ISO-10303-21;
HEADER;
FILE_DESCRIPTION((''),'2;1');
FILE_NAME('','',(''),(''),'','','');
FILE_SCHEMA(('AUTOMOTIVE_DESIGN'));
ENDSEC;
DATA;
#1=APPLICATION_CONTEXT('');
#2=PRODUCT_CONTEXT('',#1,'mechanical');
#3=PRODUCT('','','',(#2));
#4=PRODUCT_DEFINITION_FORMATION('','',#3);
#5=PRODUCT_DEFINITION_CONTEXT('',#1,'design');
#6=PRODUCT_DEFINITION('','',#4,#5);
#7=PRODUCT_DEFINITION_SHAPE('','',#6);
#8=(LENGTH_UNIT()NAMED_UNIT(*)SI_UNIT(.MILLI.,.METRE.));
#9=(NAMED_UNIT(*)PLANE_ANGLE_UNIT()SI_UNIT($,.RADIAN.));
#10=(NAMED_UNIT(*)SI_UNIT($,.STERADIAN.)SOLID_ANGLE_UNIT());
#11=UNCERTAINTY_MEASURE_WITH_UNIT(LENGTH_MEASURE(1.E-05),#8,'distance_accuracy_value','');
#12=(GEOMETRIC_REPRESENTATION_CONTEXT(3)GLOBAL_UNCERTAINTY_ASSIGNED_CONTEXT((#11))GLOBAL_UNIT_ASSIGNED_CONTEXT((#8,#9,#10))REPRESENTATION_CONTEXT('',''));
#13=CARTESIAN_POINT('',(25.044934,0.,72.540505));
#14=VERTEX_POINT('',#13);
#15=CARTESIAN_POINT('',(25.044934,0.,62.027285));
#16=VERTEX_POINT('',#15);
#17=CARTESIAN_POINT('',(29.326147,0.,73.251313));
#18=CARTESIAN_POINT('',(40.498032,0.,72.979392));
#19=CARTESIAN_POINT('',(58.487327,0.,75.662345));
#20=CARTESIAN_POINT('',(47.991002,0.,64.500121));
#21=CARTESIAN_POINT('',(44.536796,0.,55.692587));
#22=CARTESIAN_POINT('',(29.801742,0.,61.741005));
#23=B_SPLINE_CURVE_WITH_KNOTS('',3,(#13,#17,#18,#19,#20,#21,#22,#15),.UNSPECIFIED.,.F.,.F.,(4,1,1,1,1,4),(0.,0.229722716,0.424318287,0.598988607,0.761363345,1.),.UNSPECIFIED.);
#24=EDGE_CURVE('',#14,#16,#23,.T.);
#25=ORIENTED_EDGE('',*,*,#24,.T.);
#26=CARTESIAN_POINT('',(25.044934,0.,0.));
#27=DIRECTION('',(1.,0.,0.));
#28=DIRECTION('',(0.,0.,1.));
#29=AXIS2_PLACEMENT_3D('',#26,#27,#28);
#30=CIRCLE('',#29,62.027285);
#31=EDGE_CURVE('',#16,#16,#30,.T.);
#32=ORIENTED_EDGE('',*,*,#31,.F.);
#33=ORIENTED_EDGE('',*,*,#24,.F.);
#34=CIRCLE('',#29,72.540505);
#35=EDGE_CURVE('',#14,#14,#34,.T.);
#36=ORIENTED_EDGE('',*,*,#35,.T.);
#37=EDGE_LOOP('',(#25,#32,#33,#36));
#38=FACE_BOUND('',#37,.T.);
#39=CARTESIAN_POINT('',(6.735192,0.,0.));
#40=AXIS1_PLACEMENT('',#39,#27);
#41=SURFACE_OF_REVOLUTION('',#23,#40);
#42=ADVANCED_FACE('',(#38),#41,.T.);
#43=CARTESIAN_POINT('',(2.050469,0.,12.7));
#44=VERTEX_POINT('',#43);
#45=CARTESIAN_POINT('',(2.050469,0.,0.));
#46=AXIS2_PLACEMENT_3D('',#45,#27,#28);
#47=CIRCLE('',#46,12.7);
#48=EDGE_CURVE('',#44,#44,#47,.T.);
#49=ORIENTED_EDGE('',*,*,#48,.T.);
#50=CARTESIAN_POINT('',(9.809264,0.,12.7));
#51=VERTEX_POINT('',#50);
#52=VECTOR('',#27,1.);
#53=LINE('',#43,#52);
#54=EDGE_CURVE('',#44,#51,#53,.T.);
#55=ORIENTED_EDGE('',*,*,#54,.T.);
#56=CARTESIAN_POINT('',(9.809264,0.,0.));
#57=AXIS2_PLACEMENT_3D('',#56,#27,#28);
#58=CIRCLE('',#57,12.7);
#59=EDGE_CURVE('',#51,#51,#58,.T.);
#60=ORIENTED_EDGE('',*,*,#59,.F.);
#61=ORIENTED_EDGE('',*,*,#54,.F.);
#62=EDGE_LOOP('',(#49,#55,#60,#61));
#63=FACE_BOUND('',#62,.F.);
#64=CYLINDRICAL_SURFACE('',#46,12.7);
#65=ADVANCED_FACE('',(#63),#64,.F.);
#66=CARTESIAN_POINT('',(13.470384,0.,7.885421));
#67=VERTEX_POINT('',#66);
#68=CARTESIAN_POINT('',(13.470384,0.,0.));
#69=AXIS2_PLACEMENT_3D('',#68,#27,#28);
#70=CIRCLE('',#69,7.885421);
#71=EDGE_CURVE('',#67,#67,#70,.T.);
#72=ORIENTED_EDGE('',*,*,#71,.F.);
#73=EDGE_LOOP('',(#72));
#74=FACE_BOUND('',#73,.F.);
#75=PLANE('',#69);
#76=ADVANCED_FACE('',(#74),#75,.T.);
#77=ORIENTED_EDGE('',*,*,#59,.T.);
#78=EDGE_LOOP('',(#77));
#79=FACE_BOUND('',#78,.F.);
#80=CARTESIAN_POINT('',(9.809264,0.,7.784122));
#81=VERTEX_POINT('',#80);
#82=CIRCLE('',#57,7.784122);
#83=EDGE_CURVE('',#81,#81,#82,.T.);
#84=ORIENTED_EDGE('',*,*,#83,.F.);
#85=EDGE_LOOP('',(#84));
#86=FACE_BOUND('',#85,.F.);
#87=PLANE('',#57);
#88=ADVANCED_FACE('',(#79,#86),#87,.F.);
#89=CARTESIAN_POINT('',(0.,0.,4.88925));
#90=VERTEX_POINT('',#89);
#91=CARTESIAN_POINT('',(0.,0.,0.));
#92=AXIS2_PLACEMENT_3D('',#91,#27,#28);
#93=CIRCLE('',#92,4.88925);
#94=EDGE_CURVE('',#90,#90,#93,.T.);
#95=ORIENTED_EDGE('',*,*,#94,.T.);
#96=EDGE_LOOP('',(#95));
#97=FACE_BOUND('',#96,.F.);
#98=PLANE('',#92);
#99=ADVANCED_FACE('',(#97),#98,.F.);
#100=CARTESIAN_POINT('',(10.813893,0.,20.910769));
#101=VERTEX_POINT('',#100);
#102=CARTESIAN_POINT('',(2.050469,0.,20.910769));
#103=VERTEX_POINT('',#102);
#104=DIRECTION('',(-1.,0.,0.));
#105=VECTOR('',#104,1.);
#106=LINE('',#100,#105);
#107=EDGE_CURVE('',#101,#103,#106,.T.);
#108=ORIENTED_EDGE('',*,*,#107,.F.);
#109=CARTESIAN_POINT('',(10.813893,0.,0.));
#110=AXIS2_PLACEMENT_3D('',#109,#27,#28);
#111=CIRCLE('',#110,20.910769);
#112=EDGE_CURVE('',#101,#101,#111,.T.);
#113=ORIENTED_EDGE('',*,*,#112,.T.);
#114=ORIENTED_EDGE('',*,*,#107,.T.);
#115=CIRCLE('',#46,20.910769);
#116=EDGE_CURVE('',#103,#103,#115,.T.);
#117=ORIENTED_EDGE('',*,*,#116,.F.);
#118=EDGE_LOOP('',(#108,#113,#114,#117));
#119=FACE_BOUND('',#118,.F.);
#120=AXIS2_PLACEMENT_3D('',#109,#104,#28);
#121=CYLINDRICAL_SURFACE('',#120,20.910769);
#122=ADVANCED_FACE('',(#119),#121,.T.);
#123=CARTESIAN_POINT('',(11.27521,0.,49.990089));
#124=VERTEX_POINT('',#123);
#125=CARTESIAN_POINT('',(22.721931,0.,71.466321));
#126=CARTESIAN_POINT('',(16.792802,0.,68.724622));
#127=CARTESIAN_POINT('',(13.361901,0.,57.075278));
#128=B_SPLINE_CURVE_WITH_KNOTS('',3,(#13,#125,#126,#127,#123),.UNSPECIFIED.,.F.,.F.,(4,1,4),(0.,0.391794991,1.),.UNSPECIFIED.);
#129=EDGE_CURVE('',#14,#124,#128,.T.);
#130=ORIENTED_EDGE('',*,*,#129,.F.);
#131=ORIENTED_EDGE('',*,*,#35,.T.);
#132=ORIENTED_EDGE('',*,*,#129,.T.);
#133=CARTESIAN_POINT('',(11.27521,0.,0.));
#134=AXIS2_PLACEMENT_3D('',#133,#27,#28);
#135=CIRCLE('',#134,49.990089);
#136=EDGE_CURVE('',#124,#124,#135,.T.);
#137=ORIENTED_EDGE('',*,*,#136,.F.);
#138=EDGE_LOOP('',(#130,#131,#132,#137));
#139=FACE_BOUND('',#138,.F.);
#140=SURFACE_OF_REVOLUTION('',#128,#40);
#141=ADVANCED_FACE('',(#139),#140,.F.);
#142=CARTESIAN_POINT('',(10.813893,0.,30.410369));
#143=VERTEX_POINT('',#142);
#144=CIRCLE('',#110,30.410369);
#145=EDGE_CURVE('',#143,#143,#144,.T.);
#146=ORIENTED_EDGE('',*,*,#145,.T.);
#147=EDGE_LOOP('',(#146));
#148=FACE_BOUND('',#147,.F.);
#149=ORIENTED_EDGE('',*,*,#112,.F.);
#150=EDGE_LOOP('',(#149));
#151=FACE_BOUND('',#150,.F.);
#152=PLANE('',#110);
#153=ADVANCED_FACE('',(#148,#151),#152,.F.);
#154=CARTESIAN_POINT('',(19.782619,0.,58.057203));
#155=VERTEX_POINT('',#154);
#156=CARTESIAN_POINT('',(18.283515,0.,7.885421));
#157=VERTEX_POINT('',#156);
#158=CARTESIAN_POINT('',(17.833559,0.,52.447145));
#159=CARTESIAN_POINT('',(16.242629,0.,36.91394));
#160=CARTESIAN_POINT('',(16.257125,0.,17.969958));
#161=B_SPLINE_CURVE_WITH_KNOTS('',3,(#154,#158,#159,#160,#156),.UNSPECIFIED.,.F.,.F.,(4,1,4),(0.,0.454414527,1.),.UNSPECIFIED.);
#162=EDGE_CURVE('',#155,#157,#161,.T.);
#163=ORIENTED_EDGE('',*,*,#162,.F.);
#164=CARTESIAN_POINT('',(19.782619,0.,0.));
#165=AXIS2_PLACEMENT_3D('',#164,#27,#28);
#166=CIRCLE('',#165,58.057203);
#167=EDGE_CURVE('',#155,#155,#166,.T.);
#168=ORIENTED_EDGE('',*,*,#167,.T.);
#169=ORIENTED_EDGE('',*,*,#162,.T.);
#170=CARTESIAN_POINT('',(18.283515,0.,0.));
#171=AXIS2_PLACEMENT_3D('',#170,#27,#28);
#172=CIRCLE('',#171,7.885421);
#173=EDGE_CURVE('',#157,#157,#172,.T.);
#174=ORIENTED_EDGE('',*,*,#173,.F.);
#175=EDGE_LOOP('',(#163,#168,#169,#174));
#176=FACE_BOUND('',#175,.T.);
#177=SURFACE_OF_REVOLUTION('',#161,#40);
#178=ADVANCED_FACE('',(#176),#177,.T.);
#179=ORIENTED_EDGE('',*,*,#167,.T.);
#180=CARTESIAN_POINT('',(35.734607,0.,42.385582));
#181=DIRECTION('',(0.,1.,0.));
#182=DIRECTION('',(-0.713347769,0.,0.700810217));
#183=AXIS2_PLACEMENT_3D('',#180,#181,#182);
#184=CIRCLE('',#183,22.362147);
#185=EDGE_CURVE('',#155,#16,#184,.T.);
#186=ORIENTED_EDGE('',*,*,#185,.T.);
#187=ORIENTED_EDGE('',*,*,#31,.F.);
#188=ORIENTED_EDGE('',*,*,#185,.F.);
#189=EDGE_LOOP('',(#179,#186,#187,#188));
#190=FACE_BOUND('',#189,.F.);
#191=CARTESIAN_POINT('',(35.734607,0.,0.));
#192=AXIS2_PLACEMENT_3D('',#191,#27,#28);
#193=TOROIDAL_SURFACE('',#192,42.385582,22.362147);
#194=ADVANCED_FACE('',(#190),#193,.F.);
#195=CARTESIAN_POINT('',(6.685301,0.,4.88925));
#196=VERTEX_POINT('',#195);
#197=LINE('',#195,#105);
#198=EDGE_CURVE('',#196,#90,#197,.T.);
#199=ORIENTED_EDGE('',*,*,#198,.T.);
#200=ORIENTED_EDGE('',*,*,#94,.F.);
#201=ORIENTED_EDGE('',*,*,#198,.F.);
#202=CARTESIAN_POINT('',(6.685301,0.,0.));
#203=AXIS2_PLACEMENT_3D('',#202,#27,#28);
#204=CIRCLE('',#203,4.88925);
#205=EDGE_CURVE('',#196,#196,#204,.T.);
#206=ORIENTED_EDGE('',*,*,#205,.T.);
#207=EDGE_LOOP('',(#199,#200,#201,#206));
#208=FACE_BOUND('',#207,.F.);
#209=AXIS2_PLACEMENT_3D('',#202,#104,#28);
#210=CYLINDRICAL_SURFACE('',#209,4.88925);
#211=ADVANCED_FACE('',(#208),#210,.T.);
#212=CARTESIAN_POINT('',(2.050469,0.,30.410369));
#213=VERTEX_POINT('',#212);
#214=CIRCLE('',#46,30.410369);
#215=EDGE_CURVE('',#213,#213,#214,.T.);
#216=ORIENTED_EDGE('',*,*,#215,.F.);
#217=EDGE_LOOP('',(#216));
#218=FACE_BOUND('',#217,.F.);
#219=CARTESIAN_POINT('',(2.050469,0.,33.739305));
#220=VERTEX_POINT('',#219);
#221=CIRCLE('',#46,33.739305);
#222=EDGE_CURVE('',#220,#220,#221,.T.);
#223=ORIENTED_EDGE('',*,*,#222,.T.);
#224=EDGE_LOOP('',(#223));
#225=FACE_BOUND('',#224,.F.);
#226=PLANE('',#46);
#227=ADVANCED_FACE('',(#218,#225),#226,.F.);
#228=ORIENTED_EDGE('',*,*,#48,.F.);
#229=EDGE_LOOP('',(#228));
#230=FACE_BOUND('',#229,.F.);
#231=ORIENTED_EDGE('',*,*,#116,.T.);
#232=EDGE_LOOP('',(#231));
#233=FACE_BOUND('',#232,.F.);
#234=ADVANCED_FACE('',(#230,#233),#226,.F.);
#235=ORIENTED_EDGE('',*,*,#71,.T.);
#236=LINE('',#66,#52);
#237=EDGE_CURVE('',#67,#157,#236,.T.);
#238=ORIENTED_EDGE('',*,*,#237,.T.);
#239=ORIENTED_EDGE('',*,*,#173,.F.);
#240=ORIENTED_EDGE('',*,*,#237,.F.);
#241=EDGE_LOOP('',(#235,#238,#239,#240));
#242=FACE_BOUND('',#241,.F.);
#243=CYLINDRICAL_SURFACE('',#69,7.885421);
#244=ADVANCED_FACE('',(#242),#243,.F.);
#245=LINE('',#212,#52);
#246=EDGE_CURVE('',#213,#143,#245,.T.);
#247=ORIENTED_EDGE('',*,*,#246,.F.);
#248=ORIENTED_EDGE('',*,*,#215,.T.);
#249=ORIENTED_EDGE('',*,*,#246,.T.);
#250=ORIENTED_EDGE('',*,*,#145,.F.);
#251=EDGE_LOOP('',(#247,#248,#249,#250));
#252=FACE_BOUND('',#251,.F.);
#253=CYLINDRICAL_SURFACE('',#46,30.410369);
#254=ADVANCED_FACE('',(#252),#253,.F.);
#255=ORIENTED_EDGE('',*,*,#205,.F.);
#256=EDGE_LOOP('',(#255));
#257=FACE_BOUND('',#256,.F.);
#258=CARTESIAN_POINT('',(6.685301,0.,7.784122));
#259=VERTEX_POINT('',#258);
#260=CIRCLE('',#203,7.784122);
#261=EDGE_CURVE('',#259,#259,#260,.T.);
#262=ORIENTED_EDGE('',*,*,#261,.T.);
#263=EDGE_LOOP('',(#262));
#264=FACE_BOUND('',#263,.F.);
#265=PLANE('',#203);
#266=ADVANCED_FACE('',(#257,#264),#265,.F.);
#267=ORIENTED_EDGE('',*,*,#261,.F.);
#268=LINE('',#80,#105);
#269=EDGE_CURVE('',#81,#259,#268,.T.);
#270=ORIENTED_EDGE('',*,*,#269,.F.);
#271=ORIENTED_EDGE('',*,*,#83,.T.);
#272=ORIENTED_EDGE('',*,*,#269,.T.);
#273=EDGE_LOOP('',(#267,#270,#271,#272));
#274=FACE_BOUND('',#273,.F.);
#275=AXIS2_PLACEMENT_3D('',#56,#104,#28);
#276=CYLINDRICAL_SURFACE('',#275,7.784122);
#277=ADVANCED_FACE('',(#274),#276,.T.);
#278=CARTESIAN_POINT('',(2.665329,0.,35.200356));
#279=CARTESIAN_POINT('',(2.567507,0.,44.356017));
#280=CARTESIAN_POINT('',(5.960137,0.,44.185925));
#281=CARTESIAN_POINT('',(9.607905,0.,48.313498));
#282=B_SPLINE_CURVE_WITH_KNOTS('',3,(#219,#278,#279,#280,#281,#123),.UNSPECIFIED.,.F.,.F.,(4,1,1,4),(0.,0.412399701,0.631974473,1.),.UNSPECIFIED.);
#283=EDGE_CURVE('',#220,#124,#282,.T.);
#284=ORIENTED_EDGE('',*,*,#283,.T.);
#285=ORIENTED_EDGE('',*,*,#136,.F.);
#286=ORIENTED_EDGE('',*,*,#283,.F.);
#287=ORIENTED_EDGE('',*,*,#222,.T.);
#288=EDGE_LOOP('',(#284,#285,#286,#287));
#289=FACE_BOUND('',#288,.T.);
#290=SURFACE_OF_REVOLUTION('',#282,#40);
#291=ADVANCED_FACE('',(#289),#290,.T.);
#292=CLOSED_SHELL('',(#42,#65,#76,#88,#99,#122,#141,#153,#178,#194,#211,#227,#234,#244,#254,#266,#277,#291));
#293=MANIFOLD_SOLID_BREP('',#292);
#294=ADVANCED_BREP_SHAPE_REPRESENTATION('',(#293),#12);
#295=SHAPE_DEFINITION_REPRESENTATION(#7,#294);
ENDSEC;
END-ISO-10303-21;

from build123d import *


with BuildPart() as f1:
    # F0 (on Front) → F1 (revolve)
    with BuildSketch(Plane.XZ):
        with BuildLine():
            Line((0, 4.8892499771), (0, 0))
            Line((0, 0), (13.4703844504, 0))
            Line((13.4703844504, 0), (13.4703844504, 7.8854212034))
            Line((13.4703844504, 7.8854212034), (18.2835152883, 7.8854212034))
            add(Edge.make_bspline(
                [(19.7826191295, 58.0572025918), (17.8335590226, 52.4471451864), (16.2426285763, 36.9139396244), (16.2571254085, 17.9699584316), (18.2835152883, 7.8854212034)],
                knots=[0, 0, 0, 0, 0.4544145268, 1, 1, 1, 1], degree=3))
            ThreePointArc((19.7826191295, 58.0572025918), (22.2666852239, 60.2372118596), (25.0449335956, 62.0272846946))
            add(Edge.make_bspline(
                [(25.0449335956, 72.5405053556), (29.3261469951, 73.2513126197), (40.4980322866, 72.9793920522), (58.4873266538, 75.6623446598), (47.9910017048, 64.5001212795), (44.5367963089, 55.692587177), (29.8017418989, 61.7410048111), (25.0449335956, 62.0272846946)],
                knots=[0, 0, 0, 0, 0.229722716, 0.4243182867, 0.5989886066, 0.7613633455, 1, 1, 1, 1], degree=3))
            add(Edge.make_bspline(
                [(25.0449335956, 72.5405053556), (22.7219305608, 71.4663212652), (16.7928015797, 68.7246218674), (13.3619010734, 57.0752780804), (11.2752101996, 49.9900888357)],
                knots=[0, 0, 0, 0, 0.3917949908, 1, 1, 1, 1], degree=3))
            add(Edge.make_bspline(
                [(2.0504690139, 33.7393051757), (2.665329475, 35.2003555209), (2.5675073151, 44.3560169012), (5.9601369277, 44.1859253123), (9.6079048573, 48.3134984791), (11.2752101996, 49.9900888357)],
                knots=[0, 0, 0, 0, 0.4123997011, 0.6319744729, 1, 1, 1, 1], degree=3))
            Line((2.0504690139, 33.7393051757), (2.0504690139, 30.4103687883))
            Line((2.0504690139, 30.4103687883), (10.8138929003, 30.4103687883))
            Line((10.8138929003, 30.4103687883), (10.8138929003, 20.9107687883))
            Line((10.8138929003, 20.9107687883), (2.0504690139, 20.9107687883))
            Line((2.0504690139, 20.9107687883), (2.0504690139, 12.7))
            Line((2.0504690139, 12.7), (9.8092639819, 12.7))
            Line((9.8092639819, 12.7), (9.8092639819, 7.7841216698))
            Line((9.8092639819, 7.7841216698), (6.6853011078, 7.7841216698))
            Line((6.6853011078, 7.7841216698), (6.6853011078, 4.8892499771))
            Line((6.6853011078, 4.8892499771), (0, 4.8892499771))
        make_face()
    revolve(axis=Axis((6.7351922252, 0, 0), (1, 0, 0)))


solid = f1.part
